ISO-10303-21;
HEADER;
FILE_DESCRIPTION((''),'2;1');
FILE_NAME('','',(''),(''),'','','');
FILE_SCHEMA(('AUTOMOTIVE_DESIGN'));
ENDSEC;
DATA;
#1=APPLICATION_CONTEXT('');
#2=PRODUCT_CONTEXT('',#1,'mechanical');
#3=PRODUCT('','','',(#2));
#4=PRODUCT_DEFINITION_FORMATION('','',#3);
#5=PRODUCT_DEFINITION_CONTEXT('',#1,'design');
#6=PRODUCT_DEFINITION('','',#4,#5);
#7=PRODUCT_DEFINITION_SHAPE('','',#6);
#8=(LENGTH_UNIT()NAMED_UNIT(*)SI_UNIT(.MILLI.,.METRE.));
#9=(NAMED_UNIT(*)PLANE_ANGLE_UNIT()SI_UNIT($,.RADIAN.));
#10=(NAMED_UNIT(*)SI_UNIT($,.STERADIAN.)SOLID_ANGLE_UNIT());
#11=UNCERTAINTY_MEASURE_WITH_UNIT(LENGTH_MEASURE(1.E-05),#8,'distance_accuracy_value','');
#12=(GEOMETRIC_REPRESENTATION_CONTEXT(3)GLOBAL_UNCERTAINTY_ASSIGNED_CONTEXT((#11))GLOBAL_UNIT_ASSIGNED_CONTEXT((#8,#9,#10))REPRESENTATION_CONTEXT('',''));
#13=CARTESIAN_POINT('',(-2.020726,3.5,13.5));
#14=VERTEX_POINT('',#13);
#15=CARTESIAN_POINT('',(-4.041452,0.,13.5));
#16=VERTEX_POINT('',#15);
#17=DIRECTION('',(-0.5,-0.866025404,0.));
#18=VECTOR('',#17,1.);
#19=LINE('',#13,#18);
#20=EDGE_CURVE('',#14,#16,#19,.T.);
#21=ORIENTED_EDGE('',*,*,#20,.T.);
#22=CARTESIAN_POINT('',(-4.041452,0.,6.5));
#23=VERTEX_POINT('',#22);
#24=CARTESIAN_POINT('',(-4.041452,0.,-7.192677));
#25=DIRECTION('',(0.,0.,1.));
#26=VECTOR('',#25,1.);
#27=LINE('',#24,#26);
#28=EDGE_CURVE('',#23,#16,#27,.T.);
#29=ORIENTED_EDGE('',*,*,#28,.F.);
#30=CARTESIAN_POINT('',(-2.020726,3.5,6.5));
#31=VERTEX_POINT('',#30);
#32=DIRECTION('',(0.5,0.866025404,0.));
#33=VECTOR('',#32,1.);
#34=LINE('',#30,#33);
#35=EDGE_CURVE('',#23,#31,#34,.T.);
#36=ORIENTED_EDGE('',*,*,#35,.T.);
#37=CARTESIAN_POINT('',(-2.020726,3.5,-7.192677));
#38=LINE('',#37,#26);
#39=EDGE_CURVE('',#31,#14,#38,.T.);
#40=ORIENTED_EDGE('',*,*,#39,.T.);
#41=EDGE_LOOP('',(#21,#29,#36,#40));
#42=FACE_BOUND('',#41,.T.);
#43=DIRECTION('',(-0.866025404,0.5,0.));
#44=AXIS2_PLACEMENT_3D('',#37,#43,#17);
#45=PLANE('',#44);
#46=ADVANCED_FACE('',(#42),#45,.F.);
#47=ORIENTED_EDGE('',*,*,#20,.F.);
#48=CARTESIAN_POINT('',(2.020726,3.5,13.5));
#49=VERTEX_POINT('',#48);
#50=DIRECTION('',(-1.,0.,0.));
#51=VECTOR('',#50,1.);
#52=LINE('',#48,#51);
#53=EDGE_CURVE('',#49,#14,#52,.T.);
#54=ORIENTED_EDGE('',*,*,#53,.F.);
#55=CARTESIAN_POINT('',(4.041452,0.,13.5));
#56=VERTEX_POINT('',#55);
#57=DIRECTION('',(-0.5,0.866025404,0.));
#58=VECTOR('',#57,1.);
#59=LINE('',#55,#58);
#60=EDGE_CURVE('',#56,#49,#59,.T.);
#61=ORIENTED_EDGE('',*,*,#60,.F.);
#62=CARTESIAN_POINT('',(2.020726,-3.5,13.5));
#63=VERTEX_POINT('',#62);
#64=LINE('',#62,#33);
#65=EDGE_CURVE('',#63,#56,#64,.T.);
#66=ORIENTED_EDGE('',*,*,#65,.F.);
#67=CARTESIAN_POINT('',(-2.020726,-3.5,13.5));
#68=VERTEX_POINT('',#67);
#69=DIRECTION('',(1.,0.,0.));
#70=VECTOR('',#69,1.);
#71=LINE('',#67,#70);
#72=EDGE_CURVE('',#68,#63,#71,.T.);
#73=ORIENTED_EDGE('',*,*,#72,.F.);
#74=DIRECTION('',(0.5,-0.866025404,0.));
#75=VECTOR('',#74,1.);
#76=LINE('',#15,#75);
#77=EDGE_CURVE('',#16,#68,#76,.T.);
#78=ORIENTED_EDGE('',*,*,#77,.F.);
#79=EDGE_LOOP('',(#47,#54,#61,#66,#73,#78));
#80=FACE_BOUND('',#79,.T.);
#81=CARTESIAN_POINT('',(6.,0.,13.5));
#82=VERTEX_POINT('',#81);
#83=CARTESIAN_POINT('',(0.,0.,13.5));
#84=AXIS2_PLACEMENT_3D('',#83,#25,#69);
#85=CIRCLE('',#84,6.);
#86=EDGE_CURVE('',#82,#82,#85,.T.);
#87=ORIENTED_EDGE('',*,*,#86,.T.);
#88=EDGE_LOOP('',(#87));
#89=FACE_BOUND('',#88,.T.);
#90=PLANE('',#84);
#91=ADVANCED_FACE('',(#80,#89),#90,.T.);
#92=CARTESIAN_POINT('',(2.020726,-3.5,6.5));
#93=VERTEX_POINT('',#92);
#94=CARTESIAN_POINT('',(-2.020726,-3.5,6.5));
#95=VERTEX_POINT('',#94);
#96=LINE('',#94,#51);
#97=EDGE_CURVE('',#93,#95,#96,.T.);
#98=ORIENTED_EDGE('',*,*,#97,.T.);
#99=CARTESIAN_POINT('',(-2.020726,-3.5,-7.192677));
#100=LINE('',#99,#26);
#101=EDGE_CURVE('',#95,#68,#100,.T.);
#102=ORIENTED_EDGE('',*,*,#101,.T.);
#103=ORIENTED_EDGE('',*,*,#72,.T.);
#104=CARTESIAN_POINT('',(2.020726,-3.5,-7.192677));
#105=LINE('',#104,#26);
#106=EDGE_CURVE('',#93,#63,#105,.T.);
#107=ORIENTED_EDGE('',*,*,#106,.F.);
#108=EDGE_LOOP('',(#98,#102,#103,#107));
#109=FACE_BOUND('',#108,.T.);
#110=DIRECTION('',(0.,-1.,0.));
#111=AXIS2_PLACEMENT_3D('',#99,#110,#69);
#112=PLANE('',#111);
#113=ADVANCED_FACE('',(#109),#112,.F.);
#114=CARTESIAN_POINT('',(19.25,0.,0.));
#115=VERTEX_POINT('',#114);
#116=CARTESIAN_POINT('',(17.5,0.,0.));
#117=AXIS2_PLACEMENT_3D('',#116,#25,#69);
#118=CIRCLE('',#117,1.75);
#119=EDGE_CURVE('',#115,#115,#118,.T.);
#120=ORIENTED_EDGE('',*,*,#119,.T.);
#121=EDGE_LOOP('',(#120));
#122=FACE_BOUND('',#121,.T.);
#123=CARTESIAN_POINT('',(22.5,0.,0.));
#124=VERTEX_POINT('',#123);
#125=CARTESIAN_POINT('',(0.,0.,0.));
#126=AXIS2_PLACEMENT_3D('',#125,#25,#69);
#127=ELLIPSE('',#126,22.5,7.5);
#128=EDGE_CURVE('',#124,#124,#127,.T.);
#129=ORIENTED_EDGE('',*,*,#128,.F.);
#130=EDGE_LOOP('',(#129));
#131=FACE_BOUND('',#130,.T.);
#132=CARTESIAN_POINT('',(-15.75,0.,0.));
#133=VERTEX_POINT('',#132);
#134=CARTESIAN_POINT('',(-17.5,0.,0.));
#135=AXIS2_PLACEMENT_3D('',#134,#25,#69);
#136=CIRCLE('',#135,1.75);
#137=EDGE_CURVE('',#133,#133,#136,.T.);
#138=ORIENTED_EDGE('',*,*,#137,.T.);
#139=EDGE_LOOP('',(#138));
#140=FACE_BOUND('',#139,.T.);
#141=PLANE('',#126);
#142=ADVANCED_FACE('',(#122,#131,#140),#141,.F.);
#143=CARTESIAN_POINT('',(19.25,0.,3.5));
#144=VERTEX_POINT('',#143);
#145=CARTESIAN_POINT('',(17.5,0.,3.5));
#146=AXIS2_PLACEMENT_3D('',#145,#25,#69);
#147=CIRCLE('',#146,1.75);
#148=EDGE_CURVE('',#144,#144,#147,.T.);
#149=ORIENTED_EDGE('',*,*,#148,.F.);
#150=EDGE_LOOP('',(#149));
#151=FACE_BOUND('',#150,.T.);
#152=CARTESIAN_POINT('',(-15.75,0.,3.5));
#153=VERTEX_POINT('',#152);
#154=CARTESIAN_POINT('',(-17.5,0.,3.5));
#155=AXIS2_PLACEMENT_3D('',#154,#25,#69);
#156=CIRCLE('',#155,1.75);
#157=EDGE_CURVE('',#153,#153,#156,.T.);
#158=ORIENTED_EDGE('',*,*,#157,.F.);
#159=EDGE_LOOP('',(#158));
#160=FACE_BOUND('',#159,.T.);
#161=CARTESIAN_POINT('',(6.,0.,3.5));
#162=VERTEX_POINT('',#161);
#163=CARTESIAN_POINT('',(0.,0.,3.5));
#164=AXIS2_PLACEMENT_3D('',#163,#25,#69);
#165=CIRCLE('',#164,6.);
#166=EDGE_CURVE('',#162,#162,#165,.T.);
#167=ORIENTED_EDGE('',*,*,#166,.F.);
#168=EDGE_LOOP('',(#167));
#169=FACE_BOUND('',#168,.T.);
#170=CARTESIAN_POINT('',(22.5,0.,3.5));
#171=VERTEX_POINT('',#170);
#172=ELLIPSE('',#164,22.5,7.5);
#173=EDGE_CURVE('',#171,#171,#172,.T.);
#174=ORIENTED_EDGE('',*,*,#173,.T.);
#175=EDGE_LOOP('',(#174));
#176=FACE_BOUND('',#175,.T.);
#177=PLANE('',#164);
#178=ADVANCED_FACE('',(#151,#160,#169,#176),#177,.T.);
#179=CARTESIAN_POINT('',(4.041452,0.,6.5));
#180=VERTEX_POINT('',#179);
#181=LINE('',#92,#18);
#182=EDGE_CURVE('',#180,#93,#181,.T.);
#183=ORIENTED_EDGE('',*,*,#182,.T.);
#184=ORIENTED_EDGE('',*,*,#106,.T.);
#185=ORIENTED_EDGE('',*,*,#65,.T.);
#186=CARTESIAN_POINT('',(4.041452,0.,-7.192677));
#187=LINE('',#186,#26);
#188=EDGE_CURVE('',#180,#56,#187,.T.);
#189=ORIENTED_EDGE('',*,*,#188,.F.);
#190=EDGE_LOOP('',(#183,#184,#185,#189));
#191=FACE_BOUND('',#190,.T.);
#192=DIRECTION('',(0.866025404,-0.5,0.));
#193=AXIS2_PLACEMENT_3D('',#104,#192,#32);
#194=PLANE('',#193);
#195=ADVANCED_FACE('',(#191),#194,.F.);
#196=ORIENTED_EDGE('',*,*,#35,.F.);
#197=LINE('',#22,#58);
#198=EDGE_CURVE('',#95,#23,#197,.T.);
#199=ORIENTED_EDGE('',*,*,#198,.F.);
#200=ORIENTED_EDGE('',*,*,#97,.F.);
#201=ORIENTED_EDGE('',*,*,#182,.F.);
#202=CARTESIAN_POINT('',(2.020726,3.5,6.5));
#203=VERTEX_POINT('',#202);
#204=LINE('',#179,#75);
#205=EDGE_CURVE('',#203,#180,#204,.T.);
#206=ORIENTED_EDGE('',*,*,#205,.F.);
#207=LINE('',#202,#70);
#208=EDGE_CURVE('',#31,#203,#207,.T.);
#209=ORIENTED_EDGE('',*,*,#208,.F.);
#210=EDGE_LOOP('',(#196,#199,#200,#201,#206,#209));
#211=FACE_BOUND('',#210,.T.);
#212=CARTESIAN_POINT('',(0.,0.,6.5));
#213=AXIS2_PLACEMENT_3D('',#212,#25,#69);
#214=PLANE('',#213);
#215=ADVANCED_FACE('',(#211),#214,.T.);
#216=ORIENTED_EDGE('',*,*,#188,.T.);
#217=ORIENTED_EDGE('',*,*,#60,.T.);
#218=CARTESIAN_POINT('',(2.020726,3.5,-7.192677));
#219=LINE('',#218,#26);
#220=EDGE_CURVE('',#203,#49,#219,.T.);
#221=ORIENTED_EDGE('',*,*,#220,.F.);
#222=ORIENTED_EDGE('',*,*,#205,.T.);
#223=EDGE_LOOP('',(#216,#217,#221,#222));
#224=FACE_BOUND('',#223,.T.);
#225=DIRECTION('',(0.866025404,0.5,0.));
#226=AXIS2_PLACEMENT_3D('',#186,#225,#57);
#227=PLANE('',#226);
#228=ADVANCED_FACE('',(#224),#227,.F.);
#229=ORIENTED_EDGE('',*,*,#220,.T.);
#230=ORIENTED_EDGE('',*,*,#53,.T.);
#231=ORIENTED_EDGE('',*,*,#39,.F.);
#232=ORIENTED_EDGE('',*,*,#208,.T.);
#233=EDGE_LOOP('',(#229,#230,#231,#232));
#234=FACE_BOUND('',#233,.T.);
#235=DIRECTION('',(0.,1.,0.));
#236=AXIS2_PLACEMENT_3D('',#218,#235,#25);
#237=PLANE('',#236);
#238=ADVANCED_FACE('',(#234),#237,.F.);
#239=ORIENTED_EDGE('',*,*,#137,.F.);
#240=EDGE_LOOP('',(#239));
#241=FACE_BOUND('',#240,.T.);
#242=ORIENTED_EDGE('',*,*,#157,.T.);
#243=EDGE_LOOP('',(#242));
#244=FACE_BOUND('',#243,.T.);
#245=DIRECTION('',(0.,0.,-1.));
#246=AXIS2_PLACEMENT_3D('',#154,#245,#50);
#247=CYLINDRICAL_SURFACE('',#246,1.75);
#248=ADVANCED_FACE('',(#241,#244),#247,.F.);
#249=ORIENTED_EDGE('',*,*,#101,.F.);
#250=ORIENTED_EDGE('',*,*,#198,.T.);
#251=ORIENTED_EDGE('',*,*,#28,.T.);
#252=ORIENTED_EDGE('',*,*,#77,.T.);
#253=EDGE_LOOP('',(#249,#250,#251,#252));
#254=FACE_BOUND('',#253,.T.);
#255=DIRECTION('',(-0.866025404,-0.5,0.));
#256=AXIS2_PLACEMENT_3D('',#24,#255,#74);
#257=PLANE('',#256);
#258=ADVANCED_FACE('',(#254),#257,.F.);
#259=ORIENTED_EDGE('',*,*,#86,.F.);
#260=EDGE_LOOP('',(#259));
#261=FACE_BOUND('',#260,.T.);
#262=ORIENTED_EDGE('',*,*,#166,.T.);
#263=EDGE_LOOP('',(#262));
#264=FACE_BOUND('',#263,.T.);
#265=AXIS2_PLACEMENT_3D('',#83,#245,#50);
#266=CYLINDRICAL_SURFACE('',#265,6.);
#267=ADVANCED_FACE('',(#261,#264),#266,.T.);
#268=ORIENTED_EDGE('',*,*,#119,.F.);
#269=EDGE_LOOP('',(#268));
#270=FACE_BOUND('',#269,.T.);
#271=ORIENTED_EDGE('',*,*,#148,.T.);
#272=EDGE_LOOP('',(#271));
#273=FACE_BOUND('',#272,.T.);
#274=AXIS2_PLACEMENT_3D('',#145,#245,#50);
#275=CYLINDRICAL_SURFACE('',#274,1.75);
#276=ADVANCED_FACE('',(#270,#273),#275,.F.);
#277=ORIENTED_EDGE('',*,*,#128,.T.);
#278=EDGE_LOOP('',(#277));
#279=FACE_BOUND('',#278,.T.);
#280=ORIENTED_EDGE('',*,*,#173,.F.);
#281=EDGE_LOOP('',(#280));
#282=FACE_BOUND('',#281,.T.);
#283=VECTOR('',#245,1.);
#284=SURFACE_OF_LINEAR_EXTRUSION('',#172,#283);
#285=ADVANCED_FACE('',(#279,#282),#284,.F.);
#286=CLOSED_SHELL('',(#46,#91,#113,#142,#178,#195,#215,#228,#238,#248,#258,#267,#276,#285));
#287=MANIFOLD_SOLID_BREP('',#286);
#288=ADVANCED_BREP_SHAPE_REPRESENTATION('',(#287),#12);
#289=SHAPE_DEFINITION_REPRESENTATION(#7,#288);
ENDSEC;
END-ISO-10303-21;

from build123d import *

# Parameters (mm, degrees)
SKETCH1_RX          = 22.5
SKETCH1_RY          = 7.5
SKETCH1_R           = 1.75
BOSS_EXTRUDE2_DEPTH = 3.5
SKETCH3_R           = 6
BOSS_EXTRUDE3_DEPTH = 10
CUT_EXTRUDE5_DEPTH  = 7


with BuildPart() as part:
    # Sketch1 → Boss-Extrude2 (new body)
    with BuildSketch(Plane.XY):
        with Locations((0, 0)):
            Ellipse(SKETCH1_RX, SKETCH1_RY)
        with Locations((-17.5, 0)):
            Circle(SKETCH1_R, mode=Mode.SUBTRACT)
        with Locations((17.5, 0)):
            Circle(SKETCH1_R, mode=Mode.SUBTRACT)
    extrude(amount=BOSS_EXTRUDE2_DEPTH)

    # Sketch3 → Boss-Extrude3 (add)
    with BuildSketch(Plane.XY.offset(3.5)):
        Circle(SKETCH3_R)
    extrude(amount=BOSS_EXTRUDE3_DEPTH)

    # Sketch4 → Cut-Extrude5 (cut)
    with BuildSketch(Plane.XY.offset(13.5)):
        Polygon((4.041451884, 0), (2.020725942, 3.5), (-2.020725942, 3.5), (-4.041451884, 0), (-2.020725942, -3.5), (2.020725942, -3.5), align=None)
    extrude(amount=-CUT_EXTRUDE5_DEPTH, mode=Mode.SUBTRACT)


solid = part.part
